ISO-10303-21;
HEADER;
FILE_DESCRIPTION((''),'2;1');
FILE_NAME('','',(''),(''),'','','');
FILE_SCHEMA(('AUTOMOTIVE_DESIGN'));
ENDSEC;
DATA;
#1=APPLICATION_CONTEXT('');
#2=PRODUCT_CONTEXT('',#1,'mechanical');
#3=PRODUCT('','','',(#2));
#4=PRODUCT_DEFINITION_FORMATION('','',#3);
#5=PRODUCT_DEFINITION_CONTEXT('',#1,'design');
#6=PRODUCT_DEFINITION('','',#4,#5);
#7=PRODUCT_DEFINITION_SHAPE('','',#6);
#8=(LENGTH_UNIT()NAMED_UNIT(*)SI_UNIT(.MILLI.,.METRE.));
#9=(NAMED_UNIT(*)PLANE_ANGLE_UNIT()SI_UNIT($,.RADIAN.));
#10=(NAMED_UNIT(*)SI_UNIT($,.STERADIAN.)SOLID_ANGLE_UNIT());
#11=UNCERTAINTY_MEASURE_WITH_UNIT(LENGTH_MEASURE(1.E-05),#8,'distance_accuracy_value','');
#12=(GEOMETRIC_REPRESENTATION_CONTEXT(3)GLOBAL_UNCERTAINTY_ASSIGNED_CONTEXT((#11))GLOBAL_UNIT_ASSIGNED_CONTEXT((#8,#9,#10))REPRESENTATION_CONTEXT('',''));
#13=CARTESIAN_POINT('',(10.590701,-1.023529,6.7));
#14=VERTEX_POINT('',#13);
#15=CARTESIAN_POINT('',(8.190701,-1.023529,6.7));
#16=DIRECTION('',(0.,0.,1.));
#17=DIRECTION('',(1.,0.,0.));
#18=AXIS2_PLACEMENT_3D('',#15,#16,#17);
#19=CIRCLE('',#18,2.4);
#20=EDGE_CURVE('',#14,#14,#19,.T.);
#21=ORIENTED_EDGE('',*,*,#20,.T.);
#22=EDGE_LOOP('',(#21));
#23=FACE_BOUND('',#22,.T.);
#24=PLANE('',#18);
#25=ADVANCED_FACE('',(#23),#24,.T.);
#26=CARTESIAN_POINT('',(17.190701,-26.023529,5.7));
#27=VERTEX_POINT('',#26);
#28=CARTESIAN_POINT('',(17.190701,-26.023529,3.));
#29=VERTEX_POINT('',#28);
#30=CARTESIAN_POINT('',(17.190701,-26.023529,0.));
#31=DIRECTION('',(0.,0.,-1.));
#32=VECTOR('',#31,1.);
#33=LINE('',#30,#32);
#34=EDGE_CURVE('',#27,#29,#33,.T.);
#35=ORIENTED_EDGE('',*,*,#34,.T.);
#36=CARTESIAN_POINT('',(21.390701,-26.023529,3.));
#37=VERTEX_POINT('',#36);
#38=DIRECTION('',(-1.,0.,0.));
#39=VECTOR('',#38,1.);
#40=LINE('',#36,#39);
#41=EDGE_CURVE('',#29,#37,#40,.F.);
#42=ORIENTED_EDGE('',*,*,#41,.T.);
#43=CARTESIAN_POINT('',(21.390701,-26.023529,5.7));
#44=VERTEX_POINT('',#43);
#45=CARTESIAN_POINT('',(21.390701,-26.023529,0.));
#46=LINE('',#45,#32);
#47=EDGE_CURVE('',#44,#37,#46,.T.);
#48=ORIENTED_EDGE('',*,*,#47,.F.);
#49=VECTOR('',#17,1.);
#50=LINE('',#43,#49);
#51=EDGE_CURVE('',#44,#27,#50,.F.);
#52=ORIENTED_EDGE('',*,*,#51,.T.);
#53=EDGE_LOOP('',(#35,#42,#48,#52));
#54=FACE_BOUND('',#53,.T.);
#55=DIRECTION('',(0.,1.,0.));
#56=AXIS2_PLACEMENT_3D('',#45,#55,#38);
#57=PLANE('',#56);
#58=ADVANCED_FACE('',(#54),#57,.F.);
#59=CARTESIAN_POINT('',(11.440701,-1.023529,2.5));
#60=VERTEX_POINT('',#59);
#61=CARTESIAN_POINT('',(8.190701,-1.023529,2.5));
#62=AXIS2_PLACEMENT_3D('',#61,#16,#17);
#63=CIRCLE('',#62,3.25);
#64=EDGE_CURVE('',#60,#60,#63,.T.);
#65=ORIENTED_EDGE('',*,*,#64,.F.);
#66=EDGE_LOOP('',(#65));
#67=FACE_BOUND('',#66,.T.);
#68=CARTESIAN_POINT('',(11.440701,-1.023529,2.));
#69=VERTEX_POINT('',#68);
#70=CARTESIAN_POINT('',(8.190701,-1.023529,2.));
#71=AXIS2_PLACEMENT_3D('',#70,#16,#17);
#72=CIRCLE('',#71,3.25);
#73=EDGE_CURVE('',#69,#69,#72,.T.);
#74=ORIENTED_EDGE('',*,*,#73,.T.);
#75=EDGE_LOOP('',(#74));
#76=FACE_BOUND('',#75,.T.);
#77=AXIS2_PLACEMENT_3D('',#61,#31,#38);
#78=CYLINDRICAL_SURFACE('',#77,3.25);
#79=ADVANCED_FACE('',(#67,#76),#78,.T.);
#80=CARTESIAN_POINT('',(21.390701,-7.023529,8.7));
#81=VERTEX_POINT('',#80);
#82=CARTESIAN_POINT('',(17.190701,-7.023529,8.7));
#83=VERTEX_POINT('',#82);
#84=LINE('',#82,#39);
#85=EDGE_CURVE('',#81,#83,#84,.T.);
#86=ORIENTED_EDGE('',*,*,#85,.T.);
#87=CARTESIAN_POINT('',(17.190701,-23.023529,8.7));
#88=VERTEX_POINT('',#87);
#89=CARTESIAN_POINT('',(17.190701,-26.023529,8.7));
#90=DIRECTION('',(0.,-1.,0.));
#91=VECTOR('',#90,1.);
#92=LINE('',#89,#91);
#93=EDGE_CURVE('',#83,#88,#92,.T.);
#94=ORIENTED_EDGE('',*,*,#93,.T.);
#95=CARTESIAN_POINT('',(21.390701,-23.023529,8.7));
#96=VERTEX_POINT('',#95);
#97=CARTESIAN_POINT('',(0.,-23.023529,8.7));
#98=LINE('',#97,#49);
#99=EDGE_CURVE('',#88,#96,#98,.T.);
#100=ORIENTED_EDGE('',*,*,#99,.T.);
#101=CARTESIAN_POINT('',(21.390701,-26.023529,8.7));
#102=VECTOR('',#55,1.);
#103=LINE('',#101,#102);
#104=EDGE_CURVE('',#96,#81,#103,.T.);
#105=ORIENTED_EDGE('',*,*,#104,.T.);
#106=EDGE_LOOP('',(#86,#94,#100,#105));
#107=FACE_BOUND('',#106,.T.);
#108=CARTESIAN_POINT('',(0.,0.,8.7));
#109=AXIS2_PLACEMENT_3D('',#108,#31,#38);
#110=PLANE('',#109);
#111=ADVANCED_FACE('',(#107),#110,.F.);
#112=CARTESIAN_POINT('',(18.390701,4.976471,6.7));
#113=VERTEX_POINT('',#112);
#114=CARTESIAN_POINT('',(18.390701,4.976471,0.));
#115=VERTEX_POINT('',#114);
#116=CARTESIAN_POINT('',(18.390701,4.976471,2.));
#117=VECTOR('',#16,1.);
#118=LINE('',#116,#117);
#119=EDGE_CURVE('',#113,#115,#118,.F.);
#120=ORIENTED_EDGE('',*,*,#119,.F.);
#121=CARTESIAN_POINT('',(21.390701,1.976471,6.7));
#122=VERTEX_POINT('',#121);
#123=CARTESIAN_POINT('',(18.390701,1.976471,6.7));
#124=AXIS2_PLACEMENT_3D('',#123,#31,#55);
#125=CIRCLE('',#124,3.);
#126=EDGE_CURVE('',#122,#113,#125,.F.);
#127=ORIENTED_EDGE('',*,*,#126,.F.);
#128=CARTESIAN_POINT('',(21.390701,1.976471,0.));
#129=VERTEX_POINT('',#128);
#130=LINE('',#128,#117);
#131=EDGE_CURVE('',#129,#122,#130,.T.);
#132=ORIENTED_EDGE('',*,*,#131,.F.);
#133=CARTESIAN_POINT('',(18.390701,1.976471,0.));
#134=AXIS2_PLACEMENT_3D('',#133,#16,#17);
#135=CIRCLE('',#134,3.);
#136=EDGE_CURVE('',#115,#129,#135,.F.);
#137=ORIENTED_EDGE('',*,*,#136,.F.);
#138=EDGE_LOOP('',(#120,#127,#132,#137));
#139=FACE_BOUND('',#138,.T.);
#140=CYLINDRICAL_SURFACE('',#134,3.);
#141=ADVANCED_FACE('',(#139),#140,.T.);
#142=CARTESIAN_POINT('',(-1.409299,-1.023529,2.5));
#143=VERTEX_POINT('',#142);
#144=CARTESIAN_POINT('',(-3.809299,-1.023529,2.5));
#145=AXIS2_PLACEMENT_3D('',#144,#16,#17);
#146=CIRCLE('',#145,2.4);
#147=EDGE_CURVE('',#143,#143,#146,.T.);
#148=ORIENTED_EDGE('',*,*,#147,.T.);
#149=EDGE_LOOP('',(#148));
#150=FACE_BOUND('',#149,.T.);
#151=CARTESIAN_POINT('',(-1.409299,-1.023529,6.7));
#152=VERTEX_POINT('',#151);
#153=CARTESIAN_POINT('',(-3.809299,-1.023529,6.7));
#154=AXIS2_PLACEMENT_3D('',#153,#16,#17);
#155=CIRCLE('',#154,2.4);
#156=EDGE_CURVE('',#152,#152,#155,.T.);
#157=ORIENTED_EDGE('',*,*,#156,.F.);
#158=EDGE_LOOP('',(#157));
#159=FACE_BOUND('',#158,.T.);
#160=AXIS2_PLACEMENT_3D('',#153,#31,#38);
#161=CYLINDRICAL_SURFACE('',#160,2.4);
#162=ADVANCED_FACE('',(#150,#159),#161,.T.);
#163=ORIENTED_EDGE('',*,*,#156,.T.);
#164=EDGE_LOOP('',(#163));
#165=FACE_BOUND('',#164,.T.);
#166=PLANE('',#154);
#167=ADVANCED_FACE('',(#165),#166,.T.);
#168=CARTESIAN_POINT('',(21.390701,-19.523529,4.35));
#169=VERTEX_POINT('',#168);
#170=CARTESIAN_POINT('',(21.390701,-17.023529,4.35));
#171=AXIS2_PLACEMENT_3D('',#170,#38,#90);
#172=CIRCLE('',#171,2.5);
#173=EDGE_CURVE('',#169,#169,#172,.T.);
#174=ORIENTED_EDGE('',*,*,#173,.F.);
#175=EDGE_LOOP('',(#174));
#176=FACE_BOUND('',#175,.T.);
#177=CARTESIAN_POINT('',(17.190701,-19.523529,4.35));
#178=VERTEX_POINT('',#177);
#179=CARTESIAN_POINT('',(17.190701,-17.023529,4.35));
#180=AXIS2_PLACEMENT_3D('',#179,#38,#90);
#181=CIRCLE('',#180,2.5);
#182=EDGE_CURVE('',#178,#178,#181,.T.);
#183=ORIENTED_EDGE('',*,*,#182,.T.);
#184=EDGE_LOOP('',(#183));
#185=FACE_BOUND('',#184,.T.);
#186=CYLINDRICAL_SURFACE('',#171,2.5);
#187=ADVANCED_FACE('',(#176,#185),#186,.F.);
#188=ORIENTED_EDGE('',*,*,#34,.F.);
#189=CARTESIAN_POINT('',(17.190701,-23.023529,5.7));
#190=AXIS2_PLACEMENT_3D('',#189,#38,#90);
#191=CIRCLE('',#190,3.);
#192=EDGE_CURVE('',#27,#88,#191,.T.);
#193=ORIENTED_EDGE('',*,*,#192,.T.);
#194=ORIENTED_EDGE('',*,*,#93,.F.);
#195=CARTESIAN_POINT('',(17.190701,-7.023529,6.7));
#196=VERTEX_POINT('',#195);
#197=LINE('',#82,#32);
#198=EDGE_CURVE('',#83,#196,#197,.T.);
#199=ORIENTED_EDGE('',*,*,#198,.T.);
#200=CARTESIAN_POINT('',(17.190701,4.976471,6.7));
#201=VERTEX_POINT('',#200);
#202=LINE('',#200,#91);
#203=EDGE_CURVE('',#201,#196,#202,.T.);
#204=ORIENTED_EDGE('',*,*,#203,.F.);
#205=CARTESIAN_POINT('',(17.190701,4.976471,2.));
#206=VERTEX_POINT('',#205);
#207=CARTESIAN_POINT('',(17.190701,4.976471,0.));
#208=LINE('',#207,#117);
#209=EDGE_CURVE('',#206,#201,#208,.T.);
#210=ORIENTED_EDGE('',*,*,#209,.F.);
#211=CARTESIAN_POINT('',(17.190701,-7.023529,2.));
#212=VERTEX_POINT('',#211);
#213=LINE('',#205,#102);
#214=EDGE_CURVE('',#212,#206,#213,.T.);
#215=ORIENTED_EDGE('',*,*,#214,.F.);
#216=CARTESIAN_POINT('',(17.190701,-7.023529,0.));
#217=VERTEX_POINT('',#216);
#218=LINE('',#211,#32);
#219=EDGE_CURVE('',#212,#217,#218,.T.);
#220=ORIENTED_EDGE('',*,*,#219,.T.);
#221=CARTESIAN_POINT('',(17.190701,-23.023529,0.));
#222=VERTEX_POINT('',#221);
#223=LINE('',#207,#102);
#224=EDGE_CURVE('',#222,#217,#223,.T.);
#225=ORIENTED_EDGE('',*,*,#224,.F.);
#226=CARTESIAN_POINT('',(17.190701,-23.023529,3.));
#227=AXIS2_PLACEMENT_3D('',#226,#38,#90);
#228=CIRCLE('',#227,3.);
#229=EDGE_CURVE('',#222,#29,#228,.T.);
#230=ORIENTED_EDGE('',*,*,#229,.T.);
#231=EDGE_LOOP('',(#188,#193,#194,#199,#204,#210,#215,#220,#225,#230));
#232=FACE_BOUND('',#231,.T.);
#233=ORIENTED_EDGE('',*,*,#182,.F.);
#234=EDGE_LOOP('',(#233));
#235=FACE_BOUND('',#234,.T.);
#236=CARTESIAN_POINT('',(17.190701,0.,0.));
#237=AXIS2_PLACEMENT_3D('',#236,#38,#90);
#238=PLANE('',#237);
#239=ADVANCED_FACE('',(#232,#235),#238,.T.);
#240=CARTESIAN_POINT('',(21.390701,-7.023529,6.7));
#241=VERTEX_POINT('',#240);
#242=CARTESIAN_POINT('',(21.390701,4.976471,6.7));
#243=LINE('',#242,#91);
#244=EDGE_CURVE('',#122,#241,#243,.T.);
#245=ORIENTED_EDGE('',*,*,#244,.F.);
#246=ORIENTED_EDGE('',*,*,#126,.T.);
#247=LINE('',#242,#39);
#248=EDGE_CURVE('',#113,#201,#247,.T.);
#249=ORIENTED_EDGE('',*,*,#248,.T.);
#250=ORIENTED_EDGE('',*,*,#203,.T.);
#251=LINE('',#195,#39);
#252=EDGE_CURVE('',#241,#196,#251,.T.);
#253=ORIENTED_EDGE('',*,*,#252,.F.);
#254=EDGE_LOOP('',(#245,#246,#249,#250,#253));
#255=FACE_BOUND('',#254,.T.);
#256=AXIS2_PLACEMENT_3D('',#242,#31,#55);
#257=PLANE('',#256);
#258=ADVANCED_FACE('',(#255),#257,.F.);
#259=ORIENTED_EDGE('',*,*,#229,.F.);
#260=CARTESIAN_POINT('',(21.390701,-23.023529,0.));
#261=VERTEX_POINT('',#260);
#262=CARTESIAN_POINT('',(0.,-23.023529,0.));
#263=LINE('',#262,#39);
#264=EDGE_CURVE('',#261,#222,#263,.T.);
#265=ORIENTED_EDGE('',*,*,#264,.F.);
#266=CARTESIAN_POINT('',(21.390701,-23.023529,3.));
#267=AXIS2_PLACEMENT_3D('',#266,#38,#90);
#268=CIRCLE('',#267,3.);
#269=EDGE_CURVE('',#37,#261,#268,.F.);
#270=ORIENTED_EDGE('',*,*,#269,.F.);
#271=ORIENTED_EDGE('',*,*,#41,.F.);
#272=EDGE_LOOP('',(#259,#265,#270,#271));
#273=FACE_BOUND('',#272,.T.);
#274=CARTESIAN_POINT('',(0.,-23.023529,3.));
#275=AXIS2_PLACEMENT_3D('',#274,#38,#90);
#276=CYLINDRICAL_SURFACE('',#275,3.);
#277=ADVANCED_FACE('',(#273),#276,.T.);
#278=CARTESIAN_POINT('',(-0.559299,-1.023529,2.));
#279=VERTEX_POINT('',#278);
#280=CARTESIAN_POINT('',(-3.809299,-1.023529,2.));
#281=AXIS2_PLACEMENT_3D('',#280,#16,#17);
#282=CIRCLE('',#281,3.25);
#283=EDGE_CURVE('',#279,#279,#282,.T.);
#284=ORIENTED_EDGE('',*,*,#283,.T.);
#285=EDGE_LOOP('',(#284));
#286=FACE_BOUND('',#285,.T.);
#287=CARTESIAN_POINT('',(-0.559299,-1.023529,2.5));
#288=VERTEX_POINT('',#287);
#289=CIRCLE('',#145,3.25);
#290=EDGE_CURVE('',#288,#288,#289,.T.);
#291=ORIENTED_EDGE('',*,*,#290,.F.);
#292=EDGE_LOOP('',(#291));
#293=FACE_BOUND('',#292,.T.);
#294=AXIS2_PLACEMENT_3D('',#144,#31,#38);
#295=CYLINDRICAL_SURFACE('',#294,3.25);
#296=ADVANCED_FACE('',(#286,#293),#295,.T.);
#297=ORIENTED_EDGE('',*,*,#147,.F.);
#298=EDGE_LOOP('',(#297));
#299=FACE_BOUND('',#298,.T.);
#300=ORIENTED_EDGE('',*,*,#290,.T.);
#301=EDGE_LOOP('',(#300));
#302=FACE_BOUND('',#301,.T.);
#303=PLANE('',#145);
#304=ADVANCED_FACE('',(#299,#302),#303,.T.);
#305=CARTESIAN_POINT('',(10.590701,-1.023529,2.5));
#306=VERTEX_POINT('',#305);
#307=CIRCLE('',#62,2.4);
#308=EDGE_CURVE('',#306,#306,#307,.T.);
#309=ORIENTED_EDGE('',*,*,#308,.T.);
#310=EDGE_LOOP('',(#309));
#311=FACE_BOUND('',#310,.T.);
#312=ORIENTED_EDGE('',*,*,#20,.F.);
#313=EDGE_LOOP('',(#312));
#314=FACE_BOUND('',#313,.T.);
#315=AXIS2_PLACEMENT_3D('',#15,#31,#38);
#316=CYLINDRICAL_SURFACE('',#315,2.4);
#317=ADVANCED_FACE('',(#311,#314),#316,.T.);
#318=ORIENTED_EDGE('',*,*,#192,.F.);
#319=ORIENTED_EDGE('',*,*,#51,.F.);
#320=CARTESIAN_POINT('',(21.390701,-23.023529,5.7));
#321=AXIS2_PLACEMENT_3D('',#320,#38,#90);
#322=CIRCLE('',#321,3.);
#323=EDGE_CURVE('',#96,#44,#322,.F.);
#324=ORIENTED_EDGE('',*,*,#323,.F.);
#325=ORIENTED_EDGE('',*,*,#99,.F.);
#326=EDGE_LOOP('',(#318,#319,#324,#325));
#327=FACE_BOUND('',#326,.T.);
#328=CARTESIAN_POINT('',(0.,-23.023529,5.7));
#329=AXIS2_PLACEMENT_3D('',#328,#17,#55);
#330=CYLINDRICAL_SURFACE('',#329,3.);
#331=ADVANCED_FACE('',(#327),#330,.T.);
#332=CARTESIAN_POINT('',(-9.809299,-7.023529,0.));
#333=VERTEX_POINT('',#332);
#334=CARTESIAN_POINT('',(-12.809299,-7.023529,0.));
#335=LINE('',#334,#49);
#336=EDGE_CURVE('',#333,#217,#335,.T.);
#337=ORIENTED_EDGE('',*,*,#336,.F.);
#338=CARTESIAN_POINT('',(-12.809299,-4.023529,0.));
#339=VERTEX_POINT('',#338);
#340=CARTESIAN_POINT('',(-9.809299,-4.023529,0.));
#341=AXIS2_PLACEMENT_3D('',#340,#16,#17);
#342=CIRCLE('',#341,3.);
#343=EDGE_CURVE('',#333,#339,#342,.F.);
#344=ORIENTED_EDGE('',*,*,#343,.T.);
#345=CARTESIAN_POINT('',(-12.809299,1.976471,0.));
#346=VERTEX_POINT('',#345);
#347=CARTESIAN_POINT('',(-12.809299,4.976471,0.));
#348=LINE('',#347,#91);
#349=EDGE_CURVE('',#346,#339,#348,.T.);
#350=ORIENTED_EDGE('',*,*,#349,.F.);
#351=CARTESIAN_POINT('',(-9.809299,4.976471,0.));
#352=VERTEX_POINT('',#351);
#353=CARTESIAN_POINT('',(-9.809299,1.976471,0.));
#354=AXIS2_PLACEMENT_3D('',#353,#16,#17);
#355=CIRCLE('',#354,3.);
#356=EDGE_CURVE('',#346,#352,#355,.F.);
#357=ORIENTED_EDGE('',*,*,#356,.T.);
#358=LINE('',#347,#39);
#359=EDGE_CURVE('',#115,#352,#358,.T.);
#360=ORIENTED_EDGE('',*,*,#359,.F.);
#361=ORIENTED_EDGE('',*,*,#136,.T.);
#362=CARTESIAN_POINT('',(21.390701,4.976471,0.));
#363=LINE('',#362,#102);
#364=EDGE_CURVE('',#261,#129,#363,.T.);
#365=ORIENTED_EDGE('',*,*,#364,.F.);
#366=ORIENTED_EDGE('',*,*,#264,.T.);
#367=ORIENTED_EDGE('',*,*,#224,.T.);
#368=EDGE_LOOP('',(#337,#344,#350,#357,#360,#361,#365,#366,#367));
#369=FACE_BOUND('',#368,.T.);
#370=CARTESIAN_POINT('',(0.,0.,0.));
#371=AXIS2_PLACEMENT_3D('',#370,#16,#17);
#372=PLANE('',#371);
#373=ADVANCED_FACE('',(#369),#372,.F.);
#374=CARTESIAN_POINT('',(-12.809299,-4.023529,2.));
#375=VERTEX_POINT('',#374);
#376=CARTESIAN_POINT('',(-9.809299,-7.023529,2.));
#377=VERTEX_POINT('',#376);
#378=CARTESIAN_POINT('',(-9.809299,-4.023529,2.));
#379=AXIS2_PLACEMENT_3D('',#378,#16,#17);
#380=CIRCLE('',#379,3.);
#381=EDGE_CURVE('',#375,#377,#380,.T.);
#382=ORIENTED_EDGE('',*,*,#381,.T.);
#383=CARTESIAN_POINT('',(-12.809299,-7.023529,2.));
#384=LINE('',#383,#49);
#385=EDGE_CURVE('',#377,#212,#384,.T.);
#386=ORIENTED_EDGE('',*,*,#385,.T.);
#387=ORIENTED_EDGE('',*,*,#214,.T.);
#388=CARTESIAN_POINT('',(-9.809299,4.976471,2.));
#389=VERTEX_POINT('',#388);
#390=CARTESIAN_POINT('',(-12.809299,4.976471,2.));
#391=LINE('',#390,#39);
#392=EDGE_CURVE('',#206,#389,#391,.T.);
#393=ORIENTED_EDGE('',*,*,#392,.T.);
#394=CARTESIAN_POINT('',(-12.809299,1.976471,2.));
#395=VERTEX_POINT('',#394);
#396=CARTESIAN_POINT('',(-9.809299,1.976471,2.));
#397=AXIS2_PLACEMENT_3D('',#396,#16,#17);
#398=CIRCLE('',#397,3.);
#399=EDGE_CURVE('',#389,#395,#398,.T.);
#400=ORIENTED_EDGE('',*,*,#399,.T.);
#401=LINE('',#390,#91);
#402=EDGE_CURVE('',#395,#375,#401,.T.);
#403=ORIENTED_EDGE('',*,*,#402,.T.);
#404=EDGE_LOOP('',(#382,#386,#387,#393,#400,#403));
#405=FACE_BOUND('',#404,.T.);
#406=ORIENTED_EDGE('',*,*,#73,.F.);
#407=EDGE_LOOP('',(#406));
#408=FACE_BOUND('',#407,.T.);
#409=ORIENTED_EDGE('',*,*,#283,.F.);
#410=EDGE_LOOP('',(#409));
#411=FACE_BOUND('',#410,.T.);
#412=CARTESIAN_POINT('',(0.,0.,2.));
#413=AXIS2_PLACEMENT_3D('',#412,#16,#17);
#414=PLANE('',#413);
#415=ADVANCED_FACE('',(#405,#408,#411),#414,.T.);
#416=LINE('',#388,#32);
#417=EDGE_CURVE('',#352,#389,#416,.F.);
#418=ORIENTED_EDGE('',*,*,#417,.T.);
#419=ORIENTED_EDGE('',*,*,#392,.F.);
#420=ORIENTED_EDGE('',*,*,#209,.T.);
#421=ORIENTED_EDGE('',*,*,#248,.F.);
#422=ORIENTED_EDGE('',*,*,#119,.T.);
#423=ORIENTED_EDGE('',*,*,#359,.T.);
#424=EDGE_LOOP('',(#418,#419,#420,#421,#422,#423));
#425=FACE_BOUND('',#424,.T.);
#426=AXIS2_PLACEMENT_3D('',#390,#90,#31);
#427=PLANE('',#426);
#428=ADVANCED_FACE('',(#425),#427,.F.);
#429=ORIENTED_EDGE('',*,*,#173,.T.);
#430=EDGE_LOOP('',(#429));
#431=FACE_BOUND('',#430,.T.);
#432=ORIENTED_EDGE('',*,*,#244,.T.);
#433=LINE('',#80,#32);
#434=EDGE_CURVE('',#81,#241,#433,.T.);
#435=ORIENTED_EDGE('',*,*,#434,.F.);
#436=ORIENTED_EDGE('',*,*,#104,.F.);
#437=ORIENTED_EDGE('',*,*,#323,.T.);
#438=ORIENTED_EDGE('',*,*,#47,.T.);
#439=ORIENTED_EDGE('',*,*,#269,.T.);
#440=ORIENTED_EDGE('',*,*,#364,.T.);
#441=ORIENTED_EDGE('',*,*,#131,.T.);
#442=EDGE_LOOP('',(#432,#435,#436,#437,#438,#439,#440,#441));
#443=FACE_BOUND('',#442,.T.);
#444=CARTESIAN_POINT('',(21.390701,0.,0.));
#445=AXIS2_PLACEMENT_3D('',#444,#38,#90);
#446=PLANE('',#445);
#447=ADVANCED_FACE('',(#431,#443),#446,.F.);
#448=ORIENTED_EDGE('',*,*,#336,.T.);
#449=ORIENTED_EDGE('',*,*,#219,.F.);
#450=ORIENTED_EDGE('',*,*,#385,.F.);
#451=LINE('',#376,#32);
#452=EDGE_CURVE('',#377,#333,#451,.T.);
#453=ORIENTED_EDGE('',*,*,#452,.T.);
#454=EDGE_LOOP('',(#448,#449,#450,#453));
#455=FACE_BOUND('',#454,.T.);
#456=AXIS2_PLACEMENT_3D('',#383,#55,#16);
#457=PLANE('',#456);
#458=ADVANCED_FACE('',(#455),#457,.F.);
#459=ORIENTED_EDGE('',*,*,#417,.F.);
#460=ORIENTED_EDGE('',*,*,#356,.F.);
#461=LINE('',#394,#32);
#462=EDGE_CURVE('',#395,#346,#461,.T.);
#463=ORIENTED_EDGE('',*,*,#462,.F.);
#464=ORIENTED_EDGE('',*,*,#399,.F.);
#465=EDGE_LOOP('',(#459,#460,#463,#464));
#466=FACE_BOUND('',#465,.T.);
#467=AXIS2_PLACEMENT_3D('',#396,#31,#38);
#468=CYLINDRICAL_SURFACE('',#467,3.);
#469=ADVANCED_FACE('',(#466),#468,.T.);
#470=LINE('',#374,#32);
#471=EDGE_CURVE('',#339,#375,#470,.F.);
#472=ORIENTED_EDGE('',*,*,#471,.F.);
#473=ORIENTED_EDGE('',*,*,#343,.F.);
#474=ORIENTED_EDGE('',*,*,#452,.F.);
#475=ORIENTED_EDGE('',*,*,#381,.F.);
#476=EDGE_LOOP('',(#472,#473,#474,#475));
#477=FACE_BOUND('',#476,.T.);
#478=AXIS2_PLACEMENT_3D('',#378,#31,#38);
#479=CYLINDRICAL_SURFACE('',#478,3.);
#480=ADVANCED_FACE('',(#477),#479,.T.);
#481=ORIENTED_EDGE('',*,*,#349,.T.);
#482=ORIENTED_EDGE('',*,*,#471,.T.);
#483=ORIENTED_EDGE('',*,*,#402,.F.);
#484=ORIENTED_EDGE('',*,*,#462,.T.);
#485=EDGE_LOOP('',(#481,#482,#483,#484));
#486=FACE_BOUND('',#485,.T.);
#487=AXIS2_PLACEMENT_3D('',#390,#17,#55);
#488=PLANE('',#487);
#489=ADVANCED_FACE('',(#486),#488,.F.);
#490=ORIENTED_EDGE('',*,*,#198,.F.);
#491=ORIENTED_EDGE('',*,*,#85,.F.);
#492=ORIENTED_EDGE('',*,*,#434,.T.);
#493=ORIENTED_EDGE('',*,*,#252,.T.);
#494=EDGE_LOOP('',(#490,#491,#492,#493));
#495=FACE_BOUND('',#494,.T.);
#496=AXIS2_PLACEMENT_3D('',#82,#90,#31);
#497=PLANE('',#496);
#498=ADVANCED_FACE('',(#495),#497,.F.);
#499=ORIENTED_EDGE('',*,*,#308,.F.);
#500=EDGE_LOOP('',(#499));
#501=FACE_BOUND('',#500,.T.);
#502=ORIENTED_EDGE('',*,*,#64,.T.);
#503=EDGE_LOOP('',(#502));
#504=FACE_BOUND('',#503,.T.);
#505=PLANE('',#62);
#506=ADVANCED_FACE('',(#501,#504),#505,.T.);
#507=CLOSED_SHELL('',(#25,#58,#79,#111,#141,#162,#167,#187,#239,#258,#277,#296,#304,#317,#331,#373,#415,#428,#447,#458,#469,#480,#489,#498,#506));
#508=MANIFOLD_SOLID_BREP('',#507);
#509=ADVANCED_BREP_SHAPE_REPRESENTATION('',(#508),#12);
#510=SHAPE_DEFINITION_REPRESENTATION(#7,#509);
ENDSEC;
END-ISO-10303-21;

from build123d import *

# Parameters (mm, degrees)
ESQUISSE1_W             = 30
ESQUISSE1_H             = 12
BOSS_EXTRU_1_DEPTH      = 2
ESQUISSE2_R             = 3.25
BOSS_EXTRU_2_DEPTH      = 0.5
ESQUISSE3_R             = 2.4
BOSS_EXTRU_3_DEPTH      = 4.2
ESQUISSE6_W             = 6.7
ESQUISSE6_H             = 31
BOSS_EXTRU_4_DEPTH      = 4.2
ESQUISSE8_W             = 4.2
ESQUISSE8_H             = 19
BOSS_EXTRU_5_DEPTH      = 2
ESQUISSE9_R             = 2.5
ENL_V_MAT_EXTRU_1_DEPTH = 4.2
CONG_1_R                = 3


with BuildPart() as part:
    # Esquisse1 → Boss.-Extru.1 (new body)
    with BuildSketch(Plane.XY):
        with Locations((2.190701098, -1.023529412)):
            Rectangle(ESQUISSE1_W, ESQUISSE1_H)
    extrude(amount=BOSS_EXTRU_1_DEPTH)

    # Esquisse2 → Boss.-Extru.2 (add)
    with BuildSketch(Plane.XY.offset(2)):
        with Locations((8.190701098, -1.023529412)):
            Circle(ESQUISSE2_R)
        with Locations((-3.809298902, -1.023529412)):
            Circle(ESQUISSE2_R)
    extrude(amount=BOSS_EXTRU_2_DEPTH)

    # Esquisse3 → Boss.-Extru.3 (add)
    with BuildSketch(Plane.XY.offset(2.5)):
        with Locations((-3.809298902, -1.023529412)):
            Circle(ESQUISSE3_R)
        with Locations((8.190701098, -1.023529412)):
            Circle(ESQUISSE3_R)
    extrude(amount=BOSS_EXTRU_3_DEPTH)

    # Esquisse6 → Boss.-Extru.4 (add)
    with BuildSketch(Plane(origin=(17.190701098, 0, 0), x_dir=(0, 0, -1), z_dir=(1, 0, 0))):
        with Locations((-3.35, -10.523529412)):
            Rectangle(ESQUISSE6_W, ESQUISSE6_H)
    extrude(amount=BOSS_EXTRU_4_DEPTH)

    # Esquisse8 → Boss.-Extru.5 (add)
    with BuildSketch(Plane.XY.offset(6.7)):
        with Locations((19.290701098, -16.523529412)):
            Rectangle(ESQUISSE8_W, ESQUISSE8_H)
    extrude(amount=BOSS_EXTRU_5_DEPTH)

    # Esquisse9 → Enlèv. mat.-Extru.1 (cut)
    with BuildSketch(Plane.ZY.offset(-17.190701098)):
        with Locations(Location((4.35, -17.023529412, 0), (0, 0, 270))):
            Circle(ESQUISSE9_R)
    extrude(amount=-ENL_V_MAT_EXTRU_1_DEPTH, mode=Mode.SUBTRACT)

    # Congé1
    cong_1_edges = [part.edges().sort_by_distance(p)[0] for p in [
        (19.290701098, -26.023529412, 0),
        (21.390701098, 4.976470588, 3.35),
        (19.290701098, -26.023529412, 8.7),
        (-12.809298902, 4.976470588, 1),
        (-12.809298902, -7.023529412, 1),
    ]]
    fillet(cong_1_edges, radius=CONG_1_R)


solid = part.part
